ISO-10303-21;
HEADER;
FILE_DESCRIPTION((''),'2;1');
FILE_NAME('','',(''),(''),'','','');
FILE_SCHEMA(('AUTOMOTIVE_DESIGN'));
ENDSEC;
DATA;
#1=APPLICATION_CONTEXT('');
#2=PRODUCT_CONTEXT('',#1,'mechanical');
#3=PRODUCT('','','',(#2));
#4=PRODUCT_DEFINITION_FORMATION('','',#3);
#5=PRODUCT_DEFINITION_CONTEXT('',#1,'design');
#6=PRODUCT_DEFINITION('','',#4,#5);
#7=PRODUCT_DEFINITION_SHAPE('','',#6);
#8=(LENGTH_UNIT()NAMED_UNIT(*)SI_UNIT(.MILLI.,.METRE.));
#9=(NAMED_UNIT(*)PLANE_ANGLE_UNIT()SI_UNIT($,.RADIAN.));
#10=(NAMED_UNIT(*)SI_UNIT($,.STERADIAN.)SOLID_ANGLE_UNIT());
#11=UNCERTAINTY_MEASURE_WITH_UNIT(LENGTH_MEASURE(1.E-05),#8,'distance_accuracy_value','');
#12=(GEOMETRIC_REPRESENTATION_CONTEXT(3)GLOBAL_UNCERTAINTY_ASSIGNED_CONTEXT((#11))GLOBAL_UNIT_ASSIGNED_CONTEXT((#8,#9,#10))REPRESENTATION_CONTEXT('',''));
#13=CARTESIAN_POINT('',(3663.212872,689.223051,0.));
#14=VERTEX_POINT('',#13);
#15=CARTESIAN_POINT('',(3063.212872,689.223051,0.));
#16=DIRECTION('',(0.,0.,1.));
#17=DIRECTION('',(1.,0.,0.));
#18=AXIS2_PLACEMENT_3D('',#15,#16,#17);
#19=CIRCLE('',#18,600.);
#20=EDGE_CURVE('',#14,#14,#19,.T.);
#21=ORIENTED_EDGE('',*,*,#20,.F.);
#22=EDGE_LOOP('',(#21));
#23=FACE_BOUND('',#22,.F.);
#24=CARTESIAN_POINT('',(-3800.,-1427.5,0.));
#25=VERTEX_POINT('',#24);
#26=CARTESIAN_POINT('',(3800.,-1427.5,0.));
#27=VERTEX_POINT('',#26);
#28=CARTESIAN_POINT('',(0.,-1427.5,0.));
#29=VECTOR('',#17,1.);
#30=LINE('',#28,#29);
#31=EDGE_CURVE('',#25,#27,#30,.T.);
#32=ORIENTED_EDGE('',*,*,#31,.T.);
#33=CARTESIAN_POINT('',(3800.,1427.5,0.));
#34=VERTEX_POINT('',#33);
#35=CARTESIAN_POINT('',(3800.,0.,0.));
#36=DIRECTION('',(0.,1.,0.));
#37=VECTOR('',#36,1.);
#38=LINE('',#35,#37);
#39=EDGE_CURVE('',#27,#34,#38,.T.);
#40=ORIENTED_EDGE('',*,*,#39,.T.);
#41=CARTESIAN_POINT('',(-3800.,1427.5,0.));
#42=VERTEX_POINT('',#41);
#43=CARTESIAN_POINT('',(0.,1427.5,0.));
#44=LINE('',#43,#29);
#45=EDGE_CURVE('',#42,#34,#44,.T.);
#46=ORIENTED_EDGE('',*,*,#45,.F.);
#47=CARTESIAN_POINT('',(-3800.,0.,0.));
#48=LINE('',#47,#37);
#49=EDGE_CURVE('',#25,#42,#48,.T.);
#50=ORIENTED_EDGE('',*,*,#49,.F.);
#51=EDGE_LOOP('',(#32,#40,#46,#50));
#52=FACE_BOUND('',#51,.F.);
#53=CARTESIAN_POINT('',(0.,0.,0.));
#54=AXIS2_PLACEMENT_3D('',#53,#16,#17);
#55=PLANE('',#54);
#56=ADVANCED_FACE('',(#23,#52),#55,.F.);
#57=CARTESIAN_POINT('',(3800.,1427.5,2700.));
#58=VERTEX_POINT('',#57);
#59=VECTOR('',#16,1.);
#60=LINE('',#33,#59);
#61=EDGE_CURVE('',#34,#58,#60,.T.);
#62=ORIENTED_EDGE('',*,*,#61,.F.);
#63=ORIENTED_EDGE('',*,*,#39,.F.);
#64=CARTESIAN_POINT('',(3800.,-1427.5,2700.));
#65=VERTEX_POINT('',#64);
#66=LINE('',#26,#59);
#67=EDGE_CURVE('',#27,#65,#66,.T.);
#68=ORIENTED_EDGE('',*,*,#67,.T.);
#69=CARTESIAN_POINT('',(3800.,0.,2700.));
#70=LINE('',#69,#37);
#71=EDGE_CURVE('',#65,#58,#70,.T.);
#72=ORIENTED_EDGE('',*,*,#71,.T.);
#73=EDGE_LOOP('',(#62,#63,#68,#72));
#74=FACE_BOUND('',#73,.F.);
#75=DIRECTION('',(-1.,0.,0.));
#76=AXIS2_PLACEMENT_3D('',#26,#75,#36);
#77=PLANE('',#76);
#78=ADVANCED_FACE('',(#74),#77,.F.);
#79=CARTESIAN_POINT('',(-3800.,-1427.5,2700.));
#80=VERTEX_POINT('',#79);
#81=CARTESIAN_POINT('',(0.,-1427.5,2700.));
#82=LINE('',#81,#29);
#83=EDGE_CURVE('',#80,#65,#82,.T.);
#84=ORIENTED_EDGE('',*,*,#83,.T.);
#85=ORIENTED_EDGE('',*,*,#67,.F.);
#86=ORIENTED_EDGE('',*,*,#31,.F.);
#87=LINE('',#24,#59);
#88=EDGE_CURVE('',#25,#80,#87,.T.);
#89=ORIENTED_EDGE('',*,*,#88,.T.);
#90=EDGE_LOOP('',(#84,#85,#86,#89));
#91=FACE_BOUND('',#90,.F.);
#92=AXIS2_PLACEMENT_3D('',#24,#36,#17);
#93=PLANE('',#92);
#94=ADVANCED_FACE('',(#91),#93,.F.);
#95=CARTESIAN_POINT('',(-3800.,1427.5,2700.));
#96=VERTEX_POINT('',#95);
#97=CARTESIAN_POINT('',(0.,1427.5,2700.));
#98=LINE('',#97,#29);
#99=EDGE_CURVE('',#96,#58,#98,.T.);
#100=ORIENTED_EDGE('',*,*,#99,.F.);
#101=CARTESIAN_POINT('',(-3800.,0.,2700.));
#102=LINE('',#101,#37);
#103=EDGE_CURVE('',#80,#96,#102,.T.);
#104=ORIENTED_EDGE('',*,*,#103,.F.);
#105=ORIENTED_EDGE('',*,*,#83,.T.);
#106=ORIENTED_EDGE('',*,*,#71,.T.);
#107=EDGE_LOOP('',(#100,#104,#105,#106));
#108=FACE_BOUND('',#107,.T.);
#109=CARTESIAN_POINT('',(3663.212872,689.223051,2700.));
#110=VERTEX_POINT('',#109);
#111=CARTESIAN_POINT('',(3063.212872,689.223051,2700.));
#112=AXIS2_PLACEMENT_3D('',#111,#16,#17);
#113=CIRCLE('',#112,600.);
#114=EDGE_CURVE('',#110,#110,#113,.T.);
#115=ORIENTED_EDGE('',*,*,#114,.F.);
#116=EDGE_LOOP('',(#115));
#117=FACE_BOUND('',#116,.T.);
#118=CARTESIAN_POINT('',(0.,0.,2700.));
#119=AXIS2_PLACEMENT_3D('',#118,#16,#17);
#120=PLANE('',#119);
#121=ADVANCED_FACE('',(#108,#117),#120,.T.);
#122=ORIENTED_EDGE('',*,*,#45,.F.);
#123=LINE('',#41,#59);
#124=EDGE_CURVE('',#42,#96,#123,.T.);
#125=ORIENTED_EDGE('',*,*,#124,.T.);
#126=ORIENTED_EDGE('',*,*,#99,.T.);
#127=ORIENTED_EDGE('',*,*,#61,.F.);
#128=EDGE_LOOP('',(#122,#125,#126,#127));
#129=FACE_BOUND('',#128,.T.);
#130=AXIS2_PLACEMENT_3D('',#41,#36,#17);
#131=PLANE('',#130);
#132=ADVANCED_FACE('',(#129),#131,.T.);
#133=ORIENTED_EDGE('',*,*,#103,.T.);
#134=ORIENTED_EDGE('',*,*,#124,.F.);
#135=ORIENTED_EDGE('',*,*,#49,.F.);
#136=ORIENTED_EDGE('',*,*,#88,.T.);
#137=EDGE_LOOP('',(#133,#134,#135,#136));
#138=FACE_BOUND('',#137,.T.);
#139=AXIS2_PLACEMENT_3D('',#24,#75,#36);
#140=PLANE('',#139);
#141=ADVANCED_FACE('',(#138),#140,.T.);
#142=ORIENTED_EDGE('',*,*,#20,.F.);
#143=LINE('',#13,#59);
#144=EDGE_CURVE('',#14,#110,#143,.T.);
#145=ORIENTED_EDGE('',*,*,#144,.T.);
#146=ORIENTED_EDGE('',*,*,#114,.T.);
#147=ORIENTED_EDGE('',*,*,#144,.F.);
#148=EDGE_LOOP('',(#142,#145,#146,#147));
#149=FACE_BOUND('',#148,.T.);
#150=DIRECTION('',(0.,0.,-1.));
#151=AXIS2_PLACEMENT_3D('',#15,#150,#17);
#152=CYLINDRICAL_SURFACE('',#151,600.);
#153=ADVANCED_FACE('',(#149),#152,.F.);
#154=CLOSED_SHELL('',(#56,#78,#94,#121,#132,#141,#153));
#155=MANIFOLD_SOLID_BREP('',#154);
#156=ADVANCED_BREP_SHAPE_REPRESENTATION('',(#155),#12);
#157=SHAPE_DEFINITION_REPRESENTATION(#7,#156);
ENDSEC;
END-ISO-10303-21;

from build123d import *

# Parameters (mm, degrees)
F1_W     = 7600
F1_H     = 2855
F1_R     = 600
F2_DEPTH = 2700


with BuildPart() as f2:
    # F1 (on face) → F2 (new body)
    with BuildSketch(Plane.XY):
        Rectangle(F1_W, F1_H)
        with Locations((3063.212872, 689.223051)):
            Circle(F1_R, mode=Mode.SUBTRACT)
    extrude(amount=F2_DEPTH)


solid = f2.part
